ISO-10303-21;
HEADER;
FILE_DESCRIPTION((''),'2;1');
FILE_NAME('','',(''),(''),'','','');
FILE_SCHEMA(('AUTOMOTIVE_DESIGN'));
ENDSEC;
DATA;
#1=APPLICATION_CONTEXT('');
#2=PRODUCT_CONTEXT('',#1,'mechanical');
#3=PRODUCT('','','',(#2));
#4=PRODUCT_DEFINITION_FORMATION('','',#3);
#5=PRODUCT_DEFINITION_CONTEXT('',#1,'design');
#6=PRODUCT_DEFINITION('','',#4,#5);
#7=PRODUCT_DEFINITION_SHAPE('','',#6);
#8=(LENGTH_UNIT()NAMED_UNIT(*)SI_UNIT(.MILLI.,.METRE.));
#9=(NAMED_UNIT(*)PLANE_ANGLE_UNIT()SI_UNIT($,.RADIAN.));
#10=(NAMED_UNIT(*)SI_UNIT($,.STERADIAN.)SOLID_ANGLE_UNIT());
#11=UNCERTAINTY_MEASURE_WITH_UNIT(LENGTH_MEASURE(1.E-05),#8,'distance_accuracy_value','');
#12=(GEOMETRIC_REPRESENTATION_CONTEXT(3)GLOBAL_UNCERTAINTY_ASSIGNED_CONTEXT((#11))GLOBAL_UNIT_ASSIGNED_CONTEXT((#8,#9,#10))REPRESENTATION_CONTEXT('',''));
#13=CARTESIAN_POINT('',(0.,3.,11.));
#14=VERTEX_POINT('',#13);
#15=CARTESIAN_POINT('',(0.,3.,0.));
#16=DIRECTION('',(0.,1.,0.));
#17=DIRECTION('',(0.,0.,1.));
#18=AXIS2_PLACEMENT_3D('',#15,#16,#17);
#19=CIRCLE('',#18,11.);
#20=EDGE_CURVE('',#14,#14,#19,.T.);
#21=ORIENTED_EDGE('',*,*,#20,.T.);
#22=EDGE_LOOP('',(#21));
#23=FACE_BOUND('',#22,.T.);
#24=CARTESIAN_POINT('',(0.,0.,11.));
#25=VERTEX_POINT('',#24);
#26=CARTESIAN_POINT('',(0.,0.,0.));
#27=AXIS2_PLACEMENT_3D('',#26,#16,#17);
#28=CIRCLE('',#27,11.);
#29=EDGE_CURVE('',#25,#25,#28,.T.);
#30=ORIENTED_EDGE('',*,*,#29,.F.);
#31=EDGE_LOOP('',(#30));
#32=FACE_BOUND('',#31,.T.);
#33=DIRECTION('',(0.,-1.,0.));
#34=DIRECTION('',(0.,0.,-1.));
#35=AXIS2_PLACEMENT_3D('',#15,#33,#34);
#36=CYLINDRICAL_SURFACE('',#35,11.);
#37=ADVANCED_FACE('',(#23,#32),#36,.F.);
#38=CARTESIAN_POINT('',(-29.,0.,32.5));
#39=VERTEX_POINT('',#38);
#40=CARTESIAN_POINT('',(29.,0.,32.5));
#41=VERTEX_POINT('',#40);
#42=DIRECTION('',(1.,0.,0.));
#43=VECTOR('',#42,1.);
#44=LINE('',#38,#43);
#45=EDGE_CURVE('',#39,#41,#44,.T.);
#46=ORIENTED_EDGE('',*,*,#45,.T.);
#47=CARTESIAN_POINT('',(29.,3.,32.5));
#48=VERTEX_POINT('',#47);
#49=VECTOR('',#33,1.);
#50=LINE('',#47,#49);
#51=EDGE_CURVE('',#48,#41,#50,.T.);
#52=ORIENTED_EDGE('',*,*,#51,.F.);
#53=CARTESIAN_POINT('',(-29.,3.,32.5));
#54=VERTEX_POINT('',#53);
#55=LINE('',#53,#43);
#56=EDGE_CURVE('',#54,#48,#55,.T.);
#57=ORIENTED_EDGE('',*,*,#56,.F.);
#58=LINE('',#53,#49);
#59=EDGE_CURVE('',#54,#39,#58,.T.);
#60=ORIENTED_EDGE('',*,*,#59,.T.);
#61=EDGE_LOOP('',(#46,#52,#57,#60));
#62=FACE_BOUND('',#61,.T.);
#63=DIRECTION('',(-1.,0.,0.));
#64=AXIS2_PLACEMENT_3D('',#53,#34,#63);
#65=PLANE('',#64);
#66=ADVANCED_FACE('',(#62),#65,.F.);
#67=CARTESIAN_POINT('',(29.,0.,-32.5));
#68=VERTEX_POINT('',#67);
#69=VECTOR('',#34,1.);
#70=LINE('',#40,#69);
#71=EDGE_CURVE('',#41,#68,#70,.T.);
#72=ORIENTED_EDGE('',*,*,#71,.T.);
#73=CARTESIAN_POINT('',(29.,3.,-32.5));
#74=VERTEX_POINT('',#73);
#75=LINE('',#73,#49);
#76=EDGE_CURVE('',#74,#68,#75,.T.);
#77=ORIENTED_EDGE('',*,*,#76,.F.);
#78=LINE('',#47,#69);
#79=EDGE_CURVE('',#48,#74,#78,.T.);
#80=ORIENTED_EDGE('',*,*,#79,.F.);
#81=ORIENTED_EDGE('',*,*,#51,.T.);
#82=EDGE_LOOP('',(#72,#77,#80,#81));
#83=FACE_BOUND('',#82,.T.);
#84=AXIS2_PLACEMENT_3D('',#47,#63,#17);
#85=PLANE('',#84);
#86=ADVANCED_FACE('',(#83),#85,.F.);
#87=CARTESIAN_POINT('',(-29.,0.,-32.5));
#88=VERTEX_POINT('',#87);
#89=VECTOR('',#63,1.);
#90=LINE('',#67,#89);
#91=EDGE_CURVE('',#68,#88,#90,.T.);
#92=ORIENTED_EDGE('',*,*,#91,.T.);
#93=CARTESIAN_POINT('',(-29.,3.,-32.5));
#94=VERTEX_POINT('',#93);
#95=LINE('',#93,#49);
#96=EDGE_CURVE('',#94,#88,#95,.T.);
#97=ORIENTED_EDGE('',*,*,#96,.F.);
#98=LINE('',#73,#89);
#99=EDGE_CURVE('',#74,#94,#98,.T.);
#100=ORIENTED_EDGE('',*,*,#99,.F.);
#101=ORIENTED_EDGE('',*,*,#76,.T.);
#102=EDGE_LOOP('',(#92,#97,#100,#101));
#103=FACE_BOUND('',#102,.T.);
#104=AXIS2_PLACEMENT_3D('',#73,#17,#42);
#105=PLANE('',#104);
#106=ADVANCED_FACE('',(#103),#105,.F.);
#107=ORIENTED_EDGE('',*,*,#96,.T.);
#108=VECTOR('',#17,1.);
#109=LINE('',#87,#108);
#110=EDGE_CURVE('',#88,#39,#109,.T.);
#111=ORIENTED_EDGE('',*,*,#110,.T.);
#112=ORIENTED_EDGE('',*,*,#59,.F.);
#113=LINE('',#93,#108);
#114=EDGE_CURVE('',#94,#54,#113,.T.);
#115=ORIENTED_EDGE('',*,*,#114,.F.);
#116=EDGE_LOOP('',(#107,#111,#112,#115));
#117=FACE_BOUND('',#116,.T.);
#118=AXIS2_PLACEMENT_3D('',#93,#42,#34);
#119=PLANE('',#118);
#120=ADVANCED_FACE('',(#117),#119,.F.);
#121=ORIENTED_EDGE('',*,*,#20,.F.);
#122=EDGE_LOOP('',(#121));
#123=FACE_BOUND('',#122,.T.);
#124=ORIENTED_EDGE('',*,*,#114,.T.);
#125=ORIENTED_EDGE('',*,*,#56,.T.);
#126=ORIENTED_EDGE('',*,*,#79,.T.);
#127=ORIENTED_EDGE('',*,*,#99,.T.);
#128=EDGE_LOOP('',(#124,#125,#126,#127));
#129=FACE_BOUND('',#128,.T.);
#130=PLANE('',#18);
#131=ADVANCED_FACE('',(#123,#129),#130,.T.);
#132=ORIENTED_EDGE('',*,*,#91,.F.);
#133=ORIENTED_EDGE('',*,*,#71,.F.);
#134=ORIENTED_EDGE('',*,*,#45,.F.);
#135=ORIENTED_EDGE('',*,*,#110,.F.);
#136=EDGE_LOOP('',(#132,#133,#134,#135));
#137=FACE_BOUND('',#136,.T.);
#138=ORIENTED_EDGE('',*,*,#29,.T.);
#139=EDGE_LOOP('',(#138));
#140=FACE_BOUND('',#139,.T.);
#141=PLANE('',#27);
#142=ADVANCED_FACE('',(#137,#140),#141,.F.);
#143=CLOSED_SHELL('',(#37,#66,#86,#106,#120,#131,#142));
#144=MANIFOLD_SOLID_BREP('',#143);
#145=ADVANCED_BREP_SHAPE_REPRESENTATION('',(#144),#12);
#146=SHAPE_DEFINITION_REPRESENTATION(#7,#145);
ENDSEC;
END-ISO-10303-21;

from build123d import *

# Parameters (mm, degrees)
SKETCH3_W           = 58
SKETCH3_H           = 65
SKETCH3_R           = 11
BOSS_EXTRUDE1_DEPTH = 3


with BuildPart() as part:
    # Sketch3 → Boss-Extrude1 (new body)
    with BuildSketch(Plane(origin=(0, 0, 0), x_dir=(1, 0, 0), z_dir=(0, 1, 0))):
        with Locations((0, 8.5e-08)):
            Rectangle(SKETCH3_W, SKETCH3_H)
        with Locations(Location((0, 0, 0), (0, 0, 270))):
            Circle(SKETCH3_R, mode=Mode.SUBTRACT)
    extrude(amount=BOSS_EXTRUDE1_DEPTH)


solid = part.part
